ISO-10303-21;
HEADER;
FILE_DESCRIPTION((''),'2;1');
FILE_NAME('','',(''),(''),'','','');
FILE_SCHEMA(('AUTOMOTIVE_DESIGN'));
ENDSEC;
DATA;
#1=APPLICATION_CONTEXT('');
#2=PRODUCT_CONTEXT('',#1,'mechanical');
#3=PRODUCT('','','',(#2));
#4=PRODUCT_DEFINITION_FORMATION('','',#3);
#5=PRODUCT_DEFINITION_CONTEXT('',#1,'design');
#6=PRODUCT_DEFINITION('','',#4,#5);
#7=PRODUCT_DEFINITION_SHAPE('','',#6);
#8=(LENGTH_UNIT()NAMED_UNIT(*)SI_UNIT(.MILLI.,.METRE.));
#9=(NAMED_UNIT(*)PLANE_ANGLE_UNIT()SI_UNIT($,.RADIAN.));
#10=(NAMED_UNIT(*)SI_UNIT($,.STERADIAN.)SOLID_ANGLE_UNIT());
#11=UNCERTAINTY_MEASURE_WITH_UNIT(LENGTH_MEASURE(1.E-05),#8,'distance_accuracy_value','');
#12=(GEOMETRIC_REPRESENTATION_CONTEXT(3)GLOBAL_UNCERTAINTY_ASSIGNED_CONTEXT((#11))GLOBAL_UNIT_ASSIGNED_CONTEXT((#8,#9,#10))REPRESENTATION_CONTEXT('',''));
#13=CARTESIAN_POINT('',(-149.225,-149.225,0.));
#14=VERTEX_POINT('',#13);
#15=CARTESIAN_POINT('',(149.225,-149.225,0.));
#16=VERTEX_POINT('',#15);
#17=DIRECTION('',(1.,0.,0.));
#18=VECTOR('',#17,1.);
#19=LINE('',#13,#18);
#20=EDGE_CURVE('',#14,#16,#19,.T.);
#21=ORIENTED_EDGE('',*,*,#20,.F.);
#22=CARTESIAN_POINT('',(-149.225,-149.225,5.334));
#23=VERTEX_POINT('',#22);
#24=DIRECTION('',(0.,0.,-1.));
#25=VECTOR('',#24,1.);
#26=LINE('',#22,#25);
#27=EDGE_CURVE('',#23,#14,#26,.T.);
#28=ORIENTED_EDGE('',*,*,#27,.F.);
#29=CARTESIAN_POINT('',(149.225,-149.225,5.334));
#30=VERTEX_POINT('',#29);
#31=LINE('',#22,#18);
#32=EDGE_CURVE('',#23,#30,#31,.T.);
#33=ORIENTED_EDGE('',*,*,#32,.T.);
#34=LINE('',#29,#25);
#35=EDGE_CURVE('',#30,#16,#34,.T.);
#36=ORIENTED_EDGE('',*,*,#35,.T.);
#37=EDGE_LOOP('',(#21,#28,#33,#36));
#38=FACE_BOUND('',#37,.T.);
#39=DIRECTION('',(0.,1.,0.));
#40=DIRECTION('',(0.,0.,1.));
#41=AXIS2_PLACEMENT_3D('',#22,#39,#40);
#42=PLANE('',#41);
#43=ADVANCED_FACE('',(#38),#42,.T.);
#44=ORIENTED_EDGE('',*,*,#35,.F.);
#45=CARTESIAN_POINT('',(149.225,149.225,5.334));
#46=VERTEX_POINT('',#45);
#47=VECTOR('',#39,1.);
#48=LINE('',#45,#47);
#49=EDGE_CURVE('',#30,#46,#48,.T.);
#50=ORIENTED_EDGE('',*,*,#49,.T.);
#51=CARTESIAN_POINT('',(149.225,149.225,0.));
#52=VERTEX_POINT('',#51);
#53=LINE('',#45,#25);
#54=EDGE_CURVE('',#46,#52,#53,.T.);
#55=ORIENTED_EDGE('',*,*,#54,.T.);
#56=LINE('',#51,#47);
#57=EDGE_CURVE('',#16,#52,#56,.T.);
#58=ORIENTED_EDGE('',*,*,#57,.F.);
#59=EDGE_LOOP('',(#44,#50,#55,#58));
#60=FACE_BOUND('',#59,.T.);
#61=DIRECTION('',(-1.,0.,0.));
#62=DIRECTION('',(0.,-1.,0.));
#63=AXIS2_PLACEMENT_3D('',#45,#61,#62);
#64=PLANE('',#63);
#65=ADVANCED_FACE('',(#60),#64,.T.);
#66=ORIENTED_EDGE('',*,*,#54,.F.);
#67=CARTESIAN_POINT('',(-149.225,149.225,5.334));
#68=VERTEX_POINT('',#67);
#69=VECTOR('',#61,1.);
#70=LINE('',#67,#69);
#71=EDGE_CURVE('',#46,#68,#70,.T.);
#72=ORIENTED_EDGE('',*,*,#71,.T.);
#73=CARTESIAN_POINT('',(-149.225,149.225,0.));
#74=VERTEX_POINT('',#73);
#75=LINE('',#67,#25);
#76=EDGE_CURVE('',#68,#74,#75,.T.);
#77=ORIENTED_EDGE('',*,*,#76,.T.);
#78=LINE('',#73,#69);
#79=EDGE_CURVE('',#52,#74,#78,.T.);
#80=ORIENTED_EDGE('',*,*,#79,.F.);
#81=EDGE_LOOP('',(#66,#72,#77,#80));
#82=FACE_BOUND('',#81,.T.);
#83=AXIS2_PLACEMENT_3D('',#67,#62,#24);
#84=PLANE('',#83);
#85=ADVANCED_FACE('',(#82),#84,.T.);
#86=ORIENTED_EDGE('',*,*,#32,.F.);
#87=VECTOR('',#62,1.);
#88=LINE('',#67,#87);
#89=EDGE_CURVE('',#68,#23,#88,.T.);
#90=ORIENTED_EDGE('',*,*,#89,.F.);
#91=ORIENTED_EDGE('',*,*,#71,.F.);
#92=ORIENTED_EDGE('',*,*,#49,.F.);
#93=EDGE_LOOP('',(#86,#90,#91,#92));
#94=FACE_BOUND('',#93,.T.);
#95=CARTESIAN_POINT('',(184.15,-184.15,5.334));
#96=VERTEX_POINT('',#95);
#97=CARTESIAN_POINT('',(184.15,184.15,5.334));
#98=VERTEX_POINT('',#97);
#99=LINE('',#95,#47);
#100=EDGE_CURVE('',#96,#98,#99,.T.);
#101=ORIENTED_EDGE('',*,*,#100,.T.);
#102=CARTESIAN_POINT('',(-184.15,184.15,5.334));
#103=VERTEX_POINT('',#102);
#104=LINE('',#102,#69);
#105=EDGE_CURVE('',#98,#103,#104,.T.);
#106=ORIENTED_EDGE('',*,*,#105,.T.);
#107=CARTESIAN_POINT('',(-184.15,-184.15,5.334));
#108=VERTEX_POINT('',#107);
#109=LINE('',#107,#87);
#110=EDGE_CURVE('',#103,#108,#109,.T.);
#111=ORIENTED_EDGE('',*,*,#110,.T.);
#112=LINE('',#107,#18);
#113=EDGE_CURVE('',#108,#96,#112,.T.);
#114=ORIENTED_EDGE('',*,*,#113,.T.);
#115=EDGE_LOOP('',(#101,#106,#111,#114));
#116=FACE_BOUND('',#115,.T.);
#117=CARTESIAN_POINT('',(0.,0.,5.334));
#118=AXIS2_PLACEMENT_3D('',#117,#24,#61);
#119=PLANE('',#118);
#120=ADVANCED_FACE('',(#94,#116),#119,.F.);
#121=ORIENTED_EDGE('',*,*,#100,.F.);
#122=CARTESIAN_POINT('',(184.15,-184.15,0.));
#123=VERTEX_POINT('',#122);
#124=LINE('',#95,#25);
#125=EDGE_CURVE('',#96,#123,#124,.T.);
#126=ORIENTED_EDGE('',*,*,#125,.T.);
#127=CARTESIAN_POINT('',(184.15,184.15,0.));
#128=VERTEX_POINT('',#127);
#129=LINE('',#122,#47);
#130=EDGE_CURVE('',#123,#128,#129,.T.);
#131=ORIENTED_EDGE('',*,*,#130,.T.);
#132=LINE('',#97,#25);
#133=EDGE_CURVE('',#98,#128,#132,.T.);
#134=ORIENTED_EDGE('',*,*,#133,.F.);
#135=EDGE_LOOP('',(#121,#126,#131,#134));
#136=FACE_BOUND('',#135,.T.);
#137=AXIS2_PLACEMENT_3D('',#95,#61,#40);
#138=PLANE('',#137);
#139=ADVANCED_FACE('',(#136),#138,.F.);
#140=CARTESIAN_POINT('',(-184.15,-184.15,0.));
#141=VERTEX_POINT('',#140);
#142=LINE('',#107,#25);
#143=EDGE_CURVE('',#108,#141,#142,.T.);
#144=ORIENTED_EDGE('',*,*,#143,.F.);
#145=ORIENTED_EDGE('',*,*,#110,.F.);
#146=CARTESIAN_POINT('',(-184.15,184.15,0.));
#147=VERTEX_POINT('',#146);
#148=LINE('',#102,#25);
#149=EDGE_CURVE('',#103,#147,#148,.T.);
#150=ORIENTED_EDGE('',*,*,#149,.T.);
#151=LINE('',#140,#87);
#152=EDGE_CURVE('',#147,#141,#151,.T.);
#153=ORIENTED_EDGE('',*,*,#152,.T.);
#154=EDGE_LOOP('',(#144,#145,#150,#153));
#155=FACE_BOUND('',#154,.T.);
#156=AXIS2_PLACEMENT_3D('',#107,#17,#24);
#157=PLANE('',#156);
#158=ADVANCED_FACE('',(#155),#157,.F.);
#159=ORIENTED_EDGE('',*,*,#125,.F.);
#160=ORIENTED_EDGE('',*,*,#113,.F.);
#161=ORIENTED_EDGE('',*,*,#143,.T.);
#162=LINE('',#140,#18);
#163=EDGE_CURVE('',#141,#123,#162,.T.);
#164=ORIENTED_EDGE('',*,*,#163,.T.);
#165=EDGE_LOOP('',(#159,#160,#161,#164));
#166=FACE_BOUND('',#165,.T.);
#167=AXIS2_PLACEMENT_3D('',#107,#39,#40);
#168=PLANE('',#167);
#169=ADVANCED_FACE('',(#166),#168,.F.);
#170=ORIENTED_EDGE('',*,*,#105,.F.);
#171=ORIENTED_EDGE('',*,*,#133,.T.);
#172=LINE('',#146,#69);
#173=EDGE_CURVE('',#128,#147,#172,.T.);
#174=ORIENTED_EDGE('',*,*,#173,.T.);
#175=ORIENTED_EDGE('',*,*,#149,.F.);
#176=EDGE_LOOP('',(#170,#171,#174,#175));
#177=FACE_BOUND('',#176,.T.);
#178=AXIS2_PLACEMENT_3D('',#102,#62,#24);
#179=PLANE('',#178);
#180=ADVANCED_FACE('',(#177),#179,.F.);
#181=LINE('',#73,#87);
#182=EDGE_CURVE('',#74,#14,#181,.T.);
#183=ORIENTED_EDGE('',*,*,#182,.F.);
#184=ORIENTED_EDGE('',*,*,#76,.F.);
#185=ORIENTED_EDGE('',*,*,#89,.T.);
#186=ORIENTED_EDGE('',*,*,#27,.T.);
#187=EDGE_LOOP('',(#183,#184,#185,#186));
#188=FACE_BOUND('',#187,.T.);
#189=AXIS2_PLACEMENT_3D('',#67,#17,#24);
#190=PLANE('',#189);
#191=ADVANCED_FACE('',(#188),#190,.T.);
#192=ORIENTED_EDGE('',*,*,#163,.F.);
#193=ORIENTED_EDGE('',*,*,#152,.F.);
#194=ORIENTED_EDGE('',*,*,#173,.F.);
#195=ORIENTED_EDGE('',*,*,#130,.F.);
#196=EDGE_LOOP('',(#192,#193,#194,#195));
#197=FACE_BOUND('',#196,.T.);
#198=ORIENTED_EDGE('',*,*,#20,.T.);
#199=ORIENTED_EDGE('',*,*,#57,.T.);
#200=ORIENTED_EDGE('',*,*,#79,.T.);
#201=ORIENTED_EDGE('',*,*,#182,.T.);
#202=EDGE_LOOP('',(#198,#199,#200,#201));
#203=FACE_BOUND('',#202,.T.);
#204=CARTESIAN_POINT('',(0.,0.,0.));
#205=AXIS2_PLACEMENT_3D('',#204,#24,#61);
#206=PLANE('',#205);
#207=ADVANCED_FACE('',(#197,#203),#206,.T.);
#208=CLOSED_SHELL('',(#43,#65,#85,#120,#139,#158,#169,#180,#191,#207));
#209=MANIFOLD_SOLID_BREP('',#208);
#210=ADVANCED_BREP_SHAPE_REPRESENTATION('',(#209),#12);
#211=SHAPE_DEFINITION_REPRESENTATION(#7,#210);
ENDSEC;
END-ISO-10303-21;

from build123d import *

# Parameters (mm, degrees)
SKETCH1_W           = 368.3
SKETCH1_H           = 368.3
SKETCH1_W_2         = 298.45
SKETCH1_H_2         = 298.45
BOSS_EXTRUDE1_DEPTH = 5.334


with BuildPart() as part:
    # Sketch1 → Boss-Extrude1 (new body)
    with BuildSketch(Plane.XY):
        Rectangle(SKETCH1_W, SKETCH1_H)
        Rectangle(SKETCH1_W_2, SKETCH1_H_2, mode=Mode.SUBTRACT)
    extrude(amount=BOSS_EXTRUDE1_DEPTH)


solid = part.part
